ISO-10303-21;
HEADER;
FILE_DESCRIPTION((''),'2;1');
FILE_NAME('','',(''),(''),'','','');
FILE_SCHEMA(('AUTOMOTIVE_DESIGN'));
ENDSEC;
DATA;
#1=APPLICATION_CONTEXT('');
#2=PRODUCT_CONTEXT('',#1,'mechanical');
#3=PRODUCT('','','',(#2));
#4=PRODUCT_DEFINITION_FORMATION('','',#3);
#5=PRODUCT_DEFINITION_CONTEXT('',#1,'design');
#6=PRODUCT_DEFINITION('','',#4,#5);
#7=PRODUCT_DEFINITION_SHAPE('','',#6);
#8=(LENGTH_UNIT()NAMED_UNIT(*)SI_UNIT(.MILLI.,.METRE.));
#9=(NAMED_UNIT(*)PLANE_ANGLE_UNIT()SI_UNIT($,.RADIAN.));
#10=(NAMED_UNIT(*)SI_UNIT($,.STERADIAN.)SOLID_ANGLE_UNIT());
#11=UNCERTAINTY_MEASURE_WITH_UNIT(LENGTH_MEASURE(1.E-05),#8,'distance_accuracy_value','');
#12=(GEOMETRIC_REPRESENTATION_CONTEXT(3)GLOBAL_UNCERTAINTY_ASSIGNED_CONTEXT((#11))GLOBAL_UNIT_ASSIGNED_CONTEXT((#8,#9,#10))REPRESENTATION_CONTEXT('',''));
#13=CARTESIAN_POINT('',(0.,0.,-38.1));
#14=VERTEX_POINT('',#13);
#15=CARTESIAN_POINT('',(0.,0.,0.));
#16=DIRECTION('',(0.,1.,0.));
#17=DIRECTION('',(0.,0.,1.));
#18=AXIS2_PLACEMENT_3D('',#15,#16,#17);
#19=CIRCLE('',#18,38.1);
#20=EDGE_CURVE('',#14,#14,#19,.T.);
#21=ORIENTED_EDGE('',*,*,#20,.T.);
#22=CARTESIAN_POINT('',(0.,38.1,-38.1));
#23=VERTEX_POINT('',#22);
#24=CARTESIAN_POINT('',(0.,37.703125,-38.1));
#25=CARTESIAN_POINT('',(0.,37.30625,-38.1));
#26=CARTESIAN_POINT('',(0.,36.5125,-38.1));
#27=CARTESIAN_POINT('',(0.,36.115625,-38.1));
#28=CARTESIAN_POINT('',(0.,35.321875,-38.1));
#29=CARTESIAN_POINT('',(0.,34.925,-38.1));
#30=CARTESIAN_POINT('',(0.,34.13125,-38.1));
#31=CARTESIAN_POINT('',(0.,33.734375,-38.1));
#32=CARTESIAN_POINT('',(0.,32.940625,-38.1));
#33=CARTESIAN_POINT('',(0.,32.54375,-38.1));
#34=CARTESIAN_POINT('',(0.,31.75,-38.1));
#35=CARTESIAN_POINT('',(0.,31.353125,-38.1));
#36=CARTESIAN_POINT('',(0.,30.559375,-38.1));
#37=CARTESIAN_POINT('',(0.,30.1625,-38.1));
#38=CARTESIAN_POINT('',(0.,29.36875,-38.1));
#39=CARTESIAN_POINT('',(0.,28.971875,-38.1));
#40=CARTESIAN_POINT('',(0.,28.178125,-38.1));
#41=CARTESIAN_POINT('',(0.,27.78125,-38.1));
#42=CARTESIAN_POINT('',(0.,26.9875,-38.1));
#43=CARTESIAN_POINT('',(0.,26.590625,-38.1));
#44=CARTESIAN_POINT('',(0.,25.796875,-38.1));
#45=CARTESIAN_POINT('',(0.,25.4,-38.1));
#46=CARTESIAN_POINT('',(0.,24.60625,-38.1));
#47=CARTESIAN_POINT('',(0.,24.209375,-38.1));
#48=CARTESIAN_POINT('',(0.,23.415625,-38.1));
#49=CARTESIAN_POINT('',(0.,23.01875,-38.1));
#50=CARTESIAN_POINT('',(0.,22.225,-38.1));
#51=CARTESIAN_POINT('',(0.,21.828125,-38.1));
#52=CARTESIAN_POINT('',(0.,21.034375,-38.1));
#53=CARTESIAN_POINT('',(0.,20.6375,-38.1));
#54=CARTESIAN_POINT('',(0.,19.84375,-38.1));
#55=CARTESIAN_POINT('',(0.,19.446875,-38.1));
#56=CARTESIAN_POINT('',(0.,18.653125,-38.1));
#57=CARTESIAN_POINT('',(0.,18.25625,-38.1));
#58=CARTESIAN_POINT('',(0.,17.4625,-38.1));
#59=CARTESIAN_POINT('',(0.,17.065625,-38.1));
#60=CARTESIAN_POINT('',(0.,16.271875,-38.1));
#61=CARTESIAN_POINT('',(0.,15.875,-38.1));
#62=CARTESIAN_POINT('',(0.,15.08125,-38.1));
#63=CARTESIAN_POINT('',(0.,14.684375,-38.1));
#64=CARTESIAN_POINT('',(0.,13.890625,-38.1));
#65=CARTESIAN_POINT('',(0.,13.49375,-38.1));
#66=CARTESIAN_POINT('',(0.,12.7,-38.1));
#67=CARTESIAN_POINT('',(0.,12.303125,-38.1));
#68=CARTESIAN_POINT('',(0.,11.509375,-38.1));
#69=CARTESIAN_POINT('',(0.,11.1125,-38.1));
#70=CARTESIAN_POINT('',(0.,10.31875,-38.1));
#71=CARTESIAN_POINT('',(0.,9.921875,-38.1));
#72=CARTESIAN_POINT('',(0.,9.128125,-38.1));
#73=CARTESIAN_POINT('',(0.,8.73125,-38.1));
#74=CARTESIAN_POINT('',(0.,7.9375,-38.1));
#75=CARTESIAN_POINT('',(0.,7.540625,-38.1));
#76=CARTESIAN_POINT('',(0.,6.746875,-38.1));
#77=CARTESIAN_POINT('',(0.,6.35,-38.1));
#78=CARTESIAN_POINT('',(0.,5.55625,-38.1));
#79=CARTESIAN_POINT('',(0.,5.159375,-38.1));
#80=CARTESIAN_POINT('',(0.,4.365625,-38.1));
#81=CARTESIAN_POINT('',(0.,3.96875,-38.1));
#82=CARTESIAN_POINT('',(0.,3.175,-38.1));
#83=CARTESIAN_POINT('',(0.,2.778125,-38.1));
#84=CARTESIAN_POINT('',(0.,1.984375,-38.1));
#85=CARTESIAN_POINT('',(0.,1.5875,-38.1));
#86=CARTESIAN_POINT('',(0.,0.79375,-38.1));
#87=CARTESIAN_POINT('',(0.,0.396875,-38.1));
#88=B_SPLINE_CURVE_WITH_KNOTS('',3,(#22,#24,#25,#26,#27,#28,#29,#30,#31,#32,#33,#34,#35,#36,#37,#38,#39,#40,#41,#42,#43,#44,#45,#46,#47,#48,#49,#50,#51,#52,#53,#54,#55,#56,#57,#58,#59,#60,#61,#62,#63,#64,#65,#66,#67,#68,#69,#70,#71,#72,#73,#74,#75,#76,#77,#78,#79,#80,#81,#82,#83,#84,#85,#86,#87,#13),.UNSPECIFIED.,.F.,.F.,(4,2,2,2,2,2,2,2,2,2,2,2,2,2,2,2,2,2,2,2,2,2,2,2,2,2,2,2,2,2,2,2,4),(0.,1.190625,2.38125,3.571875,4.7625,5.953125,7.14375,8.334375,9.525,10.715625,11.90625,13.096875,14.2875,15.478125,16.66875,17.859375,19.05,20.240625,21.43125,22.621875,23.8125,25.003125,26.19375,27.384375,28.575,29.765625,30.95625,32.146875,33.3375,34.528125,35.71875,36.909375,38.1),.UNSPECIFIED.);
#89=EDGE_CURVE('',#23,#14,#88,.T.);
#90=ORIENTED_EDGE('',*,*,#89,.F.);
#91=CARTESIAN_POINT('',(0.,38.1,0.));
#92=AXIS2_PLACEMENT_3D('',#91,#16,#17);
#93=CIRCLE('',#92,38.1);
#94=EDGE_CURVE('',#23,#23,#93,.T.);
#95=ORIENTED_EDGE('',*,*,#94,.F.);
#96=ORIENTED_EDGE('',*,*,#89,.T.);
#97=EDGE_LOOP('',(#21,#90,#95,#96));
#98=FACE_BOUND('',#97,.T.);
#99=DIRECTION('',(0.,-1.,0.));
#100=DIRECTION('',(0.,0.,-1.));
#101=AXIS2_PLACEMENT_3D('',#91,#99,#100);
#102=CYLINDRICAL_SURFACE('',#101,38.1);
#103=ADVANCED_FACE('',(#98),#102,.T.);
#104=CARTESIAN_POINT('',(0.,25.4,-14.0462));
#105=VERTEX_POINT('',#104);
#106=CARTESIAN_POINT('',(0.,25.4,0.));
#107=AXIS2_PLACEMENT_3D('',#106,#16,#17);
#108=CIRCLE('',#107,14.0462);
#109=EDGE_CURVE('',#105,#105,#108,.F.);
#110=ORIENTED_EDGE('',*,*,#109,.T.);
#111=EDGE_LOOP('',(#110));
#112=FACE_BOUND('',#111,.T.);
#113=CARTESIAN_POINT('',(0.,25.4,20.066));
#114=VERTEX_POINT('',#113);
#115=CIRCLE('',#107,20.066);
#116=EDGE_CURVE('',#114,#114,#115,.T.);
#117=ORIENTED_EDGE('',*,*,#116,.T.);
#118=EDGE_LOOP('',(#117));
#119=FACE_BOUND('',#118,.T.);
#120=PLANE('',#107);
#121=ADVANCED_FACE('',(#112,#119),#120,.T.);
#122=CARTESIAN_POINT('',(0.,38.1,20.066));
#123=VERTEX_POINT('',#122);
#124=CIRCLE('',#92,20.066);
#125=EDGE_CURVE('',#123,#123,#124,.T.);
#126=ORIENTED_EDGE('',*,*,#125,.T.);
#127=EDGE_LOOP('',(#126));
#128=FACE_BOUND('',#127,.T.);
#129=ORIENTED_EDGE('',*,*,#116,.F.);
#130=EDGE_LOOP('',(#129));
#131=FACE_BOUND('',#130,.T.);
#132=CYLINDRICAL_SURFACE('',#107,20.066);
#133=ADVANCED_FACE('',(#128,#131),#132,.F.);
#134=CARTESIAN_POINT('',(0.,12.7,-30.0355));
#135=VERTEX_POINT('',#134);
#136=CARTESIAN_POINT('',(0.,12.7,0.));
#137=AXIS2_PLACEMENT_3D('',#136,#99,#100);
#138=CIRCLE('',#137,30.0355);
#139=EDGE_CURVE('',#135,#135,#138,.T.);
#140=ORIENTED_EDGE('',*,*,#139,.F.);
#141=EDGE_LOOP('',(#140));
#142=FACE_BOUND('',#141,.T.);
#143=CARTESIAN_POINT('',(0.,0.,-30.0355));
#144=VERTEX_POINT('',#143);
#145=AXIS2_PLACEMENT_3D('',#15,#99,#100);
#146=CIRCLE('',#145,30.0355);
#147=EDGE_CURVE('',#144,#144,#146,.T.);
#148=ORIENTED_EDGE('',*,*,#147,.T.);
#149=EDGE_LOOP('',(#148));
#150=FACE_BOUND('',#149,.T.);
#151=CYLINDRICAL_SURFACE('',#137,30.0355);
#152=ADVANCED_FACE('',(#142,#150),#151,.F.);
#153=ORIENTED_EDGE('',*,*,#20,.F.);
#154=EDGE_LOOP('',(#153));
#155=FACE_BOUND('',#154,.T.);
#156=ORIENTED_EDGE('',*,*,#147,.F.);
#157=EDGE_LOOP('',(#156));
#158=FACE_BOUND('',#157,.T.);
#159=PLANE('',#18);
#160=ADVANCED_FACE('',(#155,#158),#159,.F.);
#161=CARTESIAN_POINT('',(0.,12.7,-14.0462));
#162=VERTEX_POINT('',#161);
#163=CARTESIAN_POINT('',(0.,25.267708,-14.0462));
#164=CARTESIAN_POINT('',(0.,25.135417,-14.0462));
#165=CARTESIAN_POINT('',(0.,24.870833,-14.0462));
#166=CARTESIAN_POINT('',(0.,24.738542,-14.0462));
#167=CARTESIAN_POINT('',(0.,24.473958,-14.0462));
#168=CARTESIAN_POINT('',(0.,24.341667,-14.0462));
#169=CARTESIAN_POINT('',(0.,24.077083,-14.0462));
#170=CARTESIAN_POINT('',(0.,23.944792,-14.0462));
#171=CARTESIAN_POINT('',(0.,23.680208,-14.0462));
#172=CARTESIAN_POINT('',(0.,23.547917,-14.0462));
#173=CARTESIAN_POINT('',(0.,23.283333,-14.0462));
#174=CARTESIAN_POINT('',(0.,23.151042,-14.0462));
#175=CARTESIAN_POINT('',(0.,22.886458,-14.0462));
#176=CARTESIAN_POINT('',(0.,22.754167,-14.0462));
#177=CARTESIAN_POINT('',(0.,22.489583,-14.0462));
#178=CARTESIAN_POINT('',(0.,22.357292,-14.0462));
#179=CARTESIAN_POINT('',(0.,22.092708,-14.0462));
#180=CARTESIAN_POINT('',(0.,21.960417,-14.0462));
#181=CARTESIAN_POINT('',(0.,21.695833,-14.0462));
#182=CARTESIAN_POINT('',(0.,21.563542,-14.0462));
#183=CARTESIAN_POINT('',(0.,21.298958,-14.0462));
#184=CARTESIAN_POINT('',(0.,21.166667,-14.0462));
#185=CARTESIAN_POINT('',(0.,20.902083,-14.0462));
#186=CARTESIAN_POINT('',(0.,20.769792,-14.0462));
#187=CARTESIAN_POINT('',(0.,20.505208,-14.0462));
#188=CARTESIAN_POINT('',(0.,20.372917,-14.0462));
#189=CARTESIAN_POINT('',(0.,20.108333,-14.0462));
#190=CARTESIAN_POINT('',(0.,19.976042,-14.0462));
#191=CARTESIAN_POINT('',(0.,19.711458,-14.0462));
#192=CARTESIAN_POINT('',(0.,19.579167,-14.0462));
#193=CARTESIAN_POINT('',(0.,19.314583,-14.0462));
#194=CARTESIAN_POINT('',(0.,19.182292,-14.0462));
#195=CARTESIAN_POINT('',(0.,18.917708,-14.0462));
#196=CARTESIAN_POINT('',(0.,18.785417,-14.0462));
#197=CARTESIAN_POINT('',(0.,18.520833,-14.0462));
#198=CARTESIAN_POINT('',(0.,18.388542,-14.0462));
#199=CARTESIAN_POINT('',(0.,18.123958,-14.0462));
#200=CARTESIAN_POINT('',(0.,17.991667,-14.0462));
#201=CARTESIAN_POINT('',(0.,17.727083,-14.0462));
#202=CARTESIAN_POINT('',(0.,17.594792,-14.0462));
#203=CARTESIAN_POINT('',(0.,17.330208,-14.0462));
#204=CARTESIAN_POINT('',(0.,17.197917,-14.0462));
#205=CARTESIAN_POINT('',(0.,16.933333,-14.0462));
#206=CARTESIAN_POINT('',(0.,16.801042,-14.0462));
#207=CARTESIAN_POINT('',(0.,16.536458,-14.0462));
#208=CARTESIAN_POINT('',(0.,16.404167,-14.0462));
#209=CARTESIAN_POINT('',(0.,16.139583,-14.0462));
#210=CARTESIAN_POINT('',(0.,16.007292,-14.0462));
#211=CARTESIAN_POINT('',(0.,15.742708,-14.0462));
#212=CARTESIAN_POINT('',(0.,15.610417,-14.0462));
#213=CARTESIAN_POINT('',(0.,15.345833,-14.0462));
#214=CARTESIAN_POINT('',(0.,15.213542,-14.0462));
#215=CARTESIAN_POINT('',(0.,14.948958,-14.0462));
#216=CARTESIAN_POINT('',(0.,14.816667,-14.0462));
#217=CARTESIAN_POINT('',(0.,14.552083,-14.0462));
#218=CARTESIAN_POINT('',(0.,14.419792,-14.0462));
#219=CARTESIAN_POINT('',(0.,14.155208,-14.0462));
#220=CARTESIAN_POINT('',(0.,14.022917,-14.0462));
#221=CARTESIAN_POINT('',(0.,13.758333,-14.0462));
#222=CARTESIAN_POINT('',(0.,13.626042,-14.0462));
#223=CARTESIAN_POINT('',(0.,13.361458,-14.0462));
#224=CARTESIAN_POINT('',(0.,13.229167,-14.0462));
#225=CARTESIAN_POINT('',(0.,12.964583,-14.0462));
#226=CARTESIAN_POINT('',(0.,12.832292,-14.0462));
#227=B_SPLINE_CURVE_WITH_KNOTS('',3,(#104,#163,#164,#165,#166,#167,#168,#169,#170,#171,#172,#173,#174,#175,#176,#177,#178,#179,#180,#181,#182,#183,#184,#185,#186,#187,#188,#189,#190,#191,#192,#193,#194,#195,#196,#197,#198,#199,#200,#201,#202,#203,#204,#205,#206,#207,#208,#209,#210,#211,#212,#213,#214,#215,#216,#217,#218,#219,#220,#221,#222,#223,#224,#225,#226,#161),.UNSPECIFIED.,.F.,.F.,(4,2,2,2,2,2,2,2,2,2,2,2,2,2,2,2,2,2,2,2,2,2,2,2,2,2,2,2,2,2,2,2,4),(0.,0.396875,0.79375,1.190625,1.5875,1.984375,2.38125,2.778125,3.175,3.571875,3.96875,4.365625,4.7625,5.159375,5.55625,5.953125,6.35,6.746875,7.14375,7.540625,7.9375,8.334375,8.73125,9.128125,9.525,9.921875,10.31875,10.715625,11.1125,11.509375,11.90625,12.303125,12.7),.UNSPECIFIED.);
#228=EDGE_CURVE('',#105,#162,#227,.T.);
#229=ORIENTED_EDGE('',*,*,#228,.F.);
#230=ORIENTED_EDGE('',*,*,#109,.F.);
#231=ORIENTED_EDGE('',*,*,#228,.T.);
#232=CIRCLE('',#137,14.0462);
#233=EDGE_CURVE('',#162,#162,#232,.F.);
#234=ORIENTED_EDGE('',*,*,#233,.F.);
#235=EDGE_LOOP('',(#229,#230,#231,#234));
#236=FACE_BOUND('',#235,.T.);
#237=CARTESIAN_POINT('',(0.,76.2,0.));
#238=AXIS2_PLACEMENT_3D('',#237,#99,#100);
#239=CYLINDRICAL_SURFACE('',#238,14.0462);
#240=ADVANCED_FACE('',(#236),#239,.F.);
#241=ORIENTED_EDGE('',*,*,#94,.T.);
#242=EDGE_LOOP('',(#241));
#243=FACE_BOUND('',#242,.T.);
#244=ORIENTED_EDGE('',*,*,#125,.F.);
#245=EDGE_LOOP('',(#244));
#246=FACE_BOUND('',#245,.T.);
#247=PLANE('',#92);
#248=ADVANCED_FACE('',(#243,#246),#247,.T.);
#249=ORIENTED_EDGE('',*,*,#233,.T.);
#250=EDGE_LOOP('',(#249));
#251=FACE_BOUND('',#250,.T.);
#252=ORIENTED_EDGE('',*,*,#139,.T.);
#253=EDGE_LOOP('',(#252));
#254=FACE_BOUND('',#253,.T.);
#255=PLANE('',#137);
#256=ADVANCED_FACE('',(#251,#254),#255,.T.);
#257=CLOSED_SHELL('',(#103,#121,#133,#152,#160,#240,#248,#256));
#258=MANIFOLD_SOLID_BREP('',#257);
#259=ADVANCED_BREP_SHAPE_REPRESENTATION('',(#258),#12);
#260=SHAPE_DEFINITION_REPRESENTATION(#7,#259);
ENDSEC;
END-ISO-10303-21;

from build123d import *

# Parameters (mm, degrees)
SKETCH1_R           = 38.1
BOSS_EXTRUDE1_DEPTH = 38.1
SKETCH2_R           = 14.0462
CUT_EXTRUDE1_DEPTH  = 76.2
SKETCH3_R           = 20.066
CUT_EXTRUDE2_DEPTH  = 12.7
SKETCH4_R           = 30.0355
CUT_EXTRUDE3_DEPTH  = 12.7


with BuildPart() as part:
    # Sketch1 → Boss-Extrude1 (new body)
    with BuildSketch(Plane(origin=(0, 0, 0), x_dir=(1, 0, 0), z_dir=(0, 1, 0))):
        with Locations(Location((0, 0, 0), (0, 0, 90))):
            Circle(SKETCH1_R)
    extrude(amount=BOSS_EXTRUDE1_DEPTH)

    # Sketch2 → Cut-Extrude1 (cut)
    with BuildSketch(Plane.XZ):
        with Locations(Location((0, 0, 0), (0, 0, 270))):
            Circle(SKETCH2_R)
    extrude(amount=-CUT_EXTRUDE1_DEPTH, mode=Mode.SUBTRACT)

    # Sketch3 → Cut-Extrude2 (cut)
    with BuildSketch(Plane(origin=(0, 38.1, 0), x_dir=(1, 0, 0), z_dir=(0, 1, 0))):
        with Locations(Location((0, 0, 0), (0, 0, 270))):
            Circle(SKETCH3_R)
    extrude(amount=-CUT_EXTRUDE2_DEPTH, mode=Mode.SUBTRACT)

    # Sketch4 → Cut-Extrude3 (cut)
    with BuildSketch(Plane.XZ):
        with Locations(Location((0, 0, 0), (0, 0, 270))):
            Circle(SKETCH4_R)
    extrude(amount=-CUT_EXTRUDE3_DEPTH, mode=Mode.SUBTRACT)


solid = part.part
